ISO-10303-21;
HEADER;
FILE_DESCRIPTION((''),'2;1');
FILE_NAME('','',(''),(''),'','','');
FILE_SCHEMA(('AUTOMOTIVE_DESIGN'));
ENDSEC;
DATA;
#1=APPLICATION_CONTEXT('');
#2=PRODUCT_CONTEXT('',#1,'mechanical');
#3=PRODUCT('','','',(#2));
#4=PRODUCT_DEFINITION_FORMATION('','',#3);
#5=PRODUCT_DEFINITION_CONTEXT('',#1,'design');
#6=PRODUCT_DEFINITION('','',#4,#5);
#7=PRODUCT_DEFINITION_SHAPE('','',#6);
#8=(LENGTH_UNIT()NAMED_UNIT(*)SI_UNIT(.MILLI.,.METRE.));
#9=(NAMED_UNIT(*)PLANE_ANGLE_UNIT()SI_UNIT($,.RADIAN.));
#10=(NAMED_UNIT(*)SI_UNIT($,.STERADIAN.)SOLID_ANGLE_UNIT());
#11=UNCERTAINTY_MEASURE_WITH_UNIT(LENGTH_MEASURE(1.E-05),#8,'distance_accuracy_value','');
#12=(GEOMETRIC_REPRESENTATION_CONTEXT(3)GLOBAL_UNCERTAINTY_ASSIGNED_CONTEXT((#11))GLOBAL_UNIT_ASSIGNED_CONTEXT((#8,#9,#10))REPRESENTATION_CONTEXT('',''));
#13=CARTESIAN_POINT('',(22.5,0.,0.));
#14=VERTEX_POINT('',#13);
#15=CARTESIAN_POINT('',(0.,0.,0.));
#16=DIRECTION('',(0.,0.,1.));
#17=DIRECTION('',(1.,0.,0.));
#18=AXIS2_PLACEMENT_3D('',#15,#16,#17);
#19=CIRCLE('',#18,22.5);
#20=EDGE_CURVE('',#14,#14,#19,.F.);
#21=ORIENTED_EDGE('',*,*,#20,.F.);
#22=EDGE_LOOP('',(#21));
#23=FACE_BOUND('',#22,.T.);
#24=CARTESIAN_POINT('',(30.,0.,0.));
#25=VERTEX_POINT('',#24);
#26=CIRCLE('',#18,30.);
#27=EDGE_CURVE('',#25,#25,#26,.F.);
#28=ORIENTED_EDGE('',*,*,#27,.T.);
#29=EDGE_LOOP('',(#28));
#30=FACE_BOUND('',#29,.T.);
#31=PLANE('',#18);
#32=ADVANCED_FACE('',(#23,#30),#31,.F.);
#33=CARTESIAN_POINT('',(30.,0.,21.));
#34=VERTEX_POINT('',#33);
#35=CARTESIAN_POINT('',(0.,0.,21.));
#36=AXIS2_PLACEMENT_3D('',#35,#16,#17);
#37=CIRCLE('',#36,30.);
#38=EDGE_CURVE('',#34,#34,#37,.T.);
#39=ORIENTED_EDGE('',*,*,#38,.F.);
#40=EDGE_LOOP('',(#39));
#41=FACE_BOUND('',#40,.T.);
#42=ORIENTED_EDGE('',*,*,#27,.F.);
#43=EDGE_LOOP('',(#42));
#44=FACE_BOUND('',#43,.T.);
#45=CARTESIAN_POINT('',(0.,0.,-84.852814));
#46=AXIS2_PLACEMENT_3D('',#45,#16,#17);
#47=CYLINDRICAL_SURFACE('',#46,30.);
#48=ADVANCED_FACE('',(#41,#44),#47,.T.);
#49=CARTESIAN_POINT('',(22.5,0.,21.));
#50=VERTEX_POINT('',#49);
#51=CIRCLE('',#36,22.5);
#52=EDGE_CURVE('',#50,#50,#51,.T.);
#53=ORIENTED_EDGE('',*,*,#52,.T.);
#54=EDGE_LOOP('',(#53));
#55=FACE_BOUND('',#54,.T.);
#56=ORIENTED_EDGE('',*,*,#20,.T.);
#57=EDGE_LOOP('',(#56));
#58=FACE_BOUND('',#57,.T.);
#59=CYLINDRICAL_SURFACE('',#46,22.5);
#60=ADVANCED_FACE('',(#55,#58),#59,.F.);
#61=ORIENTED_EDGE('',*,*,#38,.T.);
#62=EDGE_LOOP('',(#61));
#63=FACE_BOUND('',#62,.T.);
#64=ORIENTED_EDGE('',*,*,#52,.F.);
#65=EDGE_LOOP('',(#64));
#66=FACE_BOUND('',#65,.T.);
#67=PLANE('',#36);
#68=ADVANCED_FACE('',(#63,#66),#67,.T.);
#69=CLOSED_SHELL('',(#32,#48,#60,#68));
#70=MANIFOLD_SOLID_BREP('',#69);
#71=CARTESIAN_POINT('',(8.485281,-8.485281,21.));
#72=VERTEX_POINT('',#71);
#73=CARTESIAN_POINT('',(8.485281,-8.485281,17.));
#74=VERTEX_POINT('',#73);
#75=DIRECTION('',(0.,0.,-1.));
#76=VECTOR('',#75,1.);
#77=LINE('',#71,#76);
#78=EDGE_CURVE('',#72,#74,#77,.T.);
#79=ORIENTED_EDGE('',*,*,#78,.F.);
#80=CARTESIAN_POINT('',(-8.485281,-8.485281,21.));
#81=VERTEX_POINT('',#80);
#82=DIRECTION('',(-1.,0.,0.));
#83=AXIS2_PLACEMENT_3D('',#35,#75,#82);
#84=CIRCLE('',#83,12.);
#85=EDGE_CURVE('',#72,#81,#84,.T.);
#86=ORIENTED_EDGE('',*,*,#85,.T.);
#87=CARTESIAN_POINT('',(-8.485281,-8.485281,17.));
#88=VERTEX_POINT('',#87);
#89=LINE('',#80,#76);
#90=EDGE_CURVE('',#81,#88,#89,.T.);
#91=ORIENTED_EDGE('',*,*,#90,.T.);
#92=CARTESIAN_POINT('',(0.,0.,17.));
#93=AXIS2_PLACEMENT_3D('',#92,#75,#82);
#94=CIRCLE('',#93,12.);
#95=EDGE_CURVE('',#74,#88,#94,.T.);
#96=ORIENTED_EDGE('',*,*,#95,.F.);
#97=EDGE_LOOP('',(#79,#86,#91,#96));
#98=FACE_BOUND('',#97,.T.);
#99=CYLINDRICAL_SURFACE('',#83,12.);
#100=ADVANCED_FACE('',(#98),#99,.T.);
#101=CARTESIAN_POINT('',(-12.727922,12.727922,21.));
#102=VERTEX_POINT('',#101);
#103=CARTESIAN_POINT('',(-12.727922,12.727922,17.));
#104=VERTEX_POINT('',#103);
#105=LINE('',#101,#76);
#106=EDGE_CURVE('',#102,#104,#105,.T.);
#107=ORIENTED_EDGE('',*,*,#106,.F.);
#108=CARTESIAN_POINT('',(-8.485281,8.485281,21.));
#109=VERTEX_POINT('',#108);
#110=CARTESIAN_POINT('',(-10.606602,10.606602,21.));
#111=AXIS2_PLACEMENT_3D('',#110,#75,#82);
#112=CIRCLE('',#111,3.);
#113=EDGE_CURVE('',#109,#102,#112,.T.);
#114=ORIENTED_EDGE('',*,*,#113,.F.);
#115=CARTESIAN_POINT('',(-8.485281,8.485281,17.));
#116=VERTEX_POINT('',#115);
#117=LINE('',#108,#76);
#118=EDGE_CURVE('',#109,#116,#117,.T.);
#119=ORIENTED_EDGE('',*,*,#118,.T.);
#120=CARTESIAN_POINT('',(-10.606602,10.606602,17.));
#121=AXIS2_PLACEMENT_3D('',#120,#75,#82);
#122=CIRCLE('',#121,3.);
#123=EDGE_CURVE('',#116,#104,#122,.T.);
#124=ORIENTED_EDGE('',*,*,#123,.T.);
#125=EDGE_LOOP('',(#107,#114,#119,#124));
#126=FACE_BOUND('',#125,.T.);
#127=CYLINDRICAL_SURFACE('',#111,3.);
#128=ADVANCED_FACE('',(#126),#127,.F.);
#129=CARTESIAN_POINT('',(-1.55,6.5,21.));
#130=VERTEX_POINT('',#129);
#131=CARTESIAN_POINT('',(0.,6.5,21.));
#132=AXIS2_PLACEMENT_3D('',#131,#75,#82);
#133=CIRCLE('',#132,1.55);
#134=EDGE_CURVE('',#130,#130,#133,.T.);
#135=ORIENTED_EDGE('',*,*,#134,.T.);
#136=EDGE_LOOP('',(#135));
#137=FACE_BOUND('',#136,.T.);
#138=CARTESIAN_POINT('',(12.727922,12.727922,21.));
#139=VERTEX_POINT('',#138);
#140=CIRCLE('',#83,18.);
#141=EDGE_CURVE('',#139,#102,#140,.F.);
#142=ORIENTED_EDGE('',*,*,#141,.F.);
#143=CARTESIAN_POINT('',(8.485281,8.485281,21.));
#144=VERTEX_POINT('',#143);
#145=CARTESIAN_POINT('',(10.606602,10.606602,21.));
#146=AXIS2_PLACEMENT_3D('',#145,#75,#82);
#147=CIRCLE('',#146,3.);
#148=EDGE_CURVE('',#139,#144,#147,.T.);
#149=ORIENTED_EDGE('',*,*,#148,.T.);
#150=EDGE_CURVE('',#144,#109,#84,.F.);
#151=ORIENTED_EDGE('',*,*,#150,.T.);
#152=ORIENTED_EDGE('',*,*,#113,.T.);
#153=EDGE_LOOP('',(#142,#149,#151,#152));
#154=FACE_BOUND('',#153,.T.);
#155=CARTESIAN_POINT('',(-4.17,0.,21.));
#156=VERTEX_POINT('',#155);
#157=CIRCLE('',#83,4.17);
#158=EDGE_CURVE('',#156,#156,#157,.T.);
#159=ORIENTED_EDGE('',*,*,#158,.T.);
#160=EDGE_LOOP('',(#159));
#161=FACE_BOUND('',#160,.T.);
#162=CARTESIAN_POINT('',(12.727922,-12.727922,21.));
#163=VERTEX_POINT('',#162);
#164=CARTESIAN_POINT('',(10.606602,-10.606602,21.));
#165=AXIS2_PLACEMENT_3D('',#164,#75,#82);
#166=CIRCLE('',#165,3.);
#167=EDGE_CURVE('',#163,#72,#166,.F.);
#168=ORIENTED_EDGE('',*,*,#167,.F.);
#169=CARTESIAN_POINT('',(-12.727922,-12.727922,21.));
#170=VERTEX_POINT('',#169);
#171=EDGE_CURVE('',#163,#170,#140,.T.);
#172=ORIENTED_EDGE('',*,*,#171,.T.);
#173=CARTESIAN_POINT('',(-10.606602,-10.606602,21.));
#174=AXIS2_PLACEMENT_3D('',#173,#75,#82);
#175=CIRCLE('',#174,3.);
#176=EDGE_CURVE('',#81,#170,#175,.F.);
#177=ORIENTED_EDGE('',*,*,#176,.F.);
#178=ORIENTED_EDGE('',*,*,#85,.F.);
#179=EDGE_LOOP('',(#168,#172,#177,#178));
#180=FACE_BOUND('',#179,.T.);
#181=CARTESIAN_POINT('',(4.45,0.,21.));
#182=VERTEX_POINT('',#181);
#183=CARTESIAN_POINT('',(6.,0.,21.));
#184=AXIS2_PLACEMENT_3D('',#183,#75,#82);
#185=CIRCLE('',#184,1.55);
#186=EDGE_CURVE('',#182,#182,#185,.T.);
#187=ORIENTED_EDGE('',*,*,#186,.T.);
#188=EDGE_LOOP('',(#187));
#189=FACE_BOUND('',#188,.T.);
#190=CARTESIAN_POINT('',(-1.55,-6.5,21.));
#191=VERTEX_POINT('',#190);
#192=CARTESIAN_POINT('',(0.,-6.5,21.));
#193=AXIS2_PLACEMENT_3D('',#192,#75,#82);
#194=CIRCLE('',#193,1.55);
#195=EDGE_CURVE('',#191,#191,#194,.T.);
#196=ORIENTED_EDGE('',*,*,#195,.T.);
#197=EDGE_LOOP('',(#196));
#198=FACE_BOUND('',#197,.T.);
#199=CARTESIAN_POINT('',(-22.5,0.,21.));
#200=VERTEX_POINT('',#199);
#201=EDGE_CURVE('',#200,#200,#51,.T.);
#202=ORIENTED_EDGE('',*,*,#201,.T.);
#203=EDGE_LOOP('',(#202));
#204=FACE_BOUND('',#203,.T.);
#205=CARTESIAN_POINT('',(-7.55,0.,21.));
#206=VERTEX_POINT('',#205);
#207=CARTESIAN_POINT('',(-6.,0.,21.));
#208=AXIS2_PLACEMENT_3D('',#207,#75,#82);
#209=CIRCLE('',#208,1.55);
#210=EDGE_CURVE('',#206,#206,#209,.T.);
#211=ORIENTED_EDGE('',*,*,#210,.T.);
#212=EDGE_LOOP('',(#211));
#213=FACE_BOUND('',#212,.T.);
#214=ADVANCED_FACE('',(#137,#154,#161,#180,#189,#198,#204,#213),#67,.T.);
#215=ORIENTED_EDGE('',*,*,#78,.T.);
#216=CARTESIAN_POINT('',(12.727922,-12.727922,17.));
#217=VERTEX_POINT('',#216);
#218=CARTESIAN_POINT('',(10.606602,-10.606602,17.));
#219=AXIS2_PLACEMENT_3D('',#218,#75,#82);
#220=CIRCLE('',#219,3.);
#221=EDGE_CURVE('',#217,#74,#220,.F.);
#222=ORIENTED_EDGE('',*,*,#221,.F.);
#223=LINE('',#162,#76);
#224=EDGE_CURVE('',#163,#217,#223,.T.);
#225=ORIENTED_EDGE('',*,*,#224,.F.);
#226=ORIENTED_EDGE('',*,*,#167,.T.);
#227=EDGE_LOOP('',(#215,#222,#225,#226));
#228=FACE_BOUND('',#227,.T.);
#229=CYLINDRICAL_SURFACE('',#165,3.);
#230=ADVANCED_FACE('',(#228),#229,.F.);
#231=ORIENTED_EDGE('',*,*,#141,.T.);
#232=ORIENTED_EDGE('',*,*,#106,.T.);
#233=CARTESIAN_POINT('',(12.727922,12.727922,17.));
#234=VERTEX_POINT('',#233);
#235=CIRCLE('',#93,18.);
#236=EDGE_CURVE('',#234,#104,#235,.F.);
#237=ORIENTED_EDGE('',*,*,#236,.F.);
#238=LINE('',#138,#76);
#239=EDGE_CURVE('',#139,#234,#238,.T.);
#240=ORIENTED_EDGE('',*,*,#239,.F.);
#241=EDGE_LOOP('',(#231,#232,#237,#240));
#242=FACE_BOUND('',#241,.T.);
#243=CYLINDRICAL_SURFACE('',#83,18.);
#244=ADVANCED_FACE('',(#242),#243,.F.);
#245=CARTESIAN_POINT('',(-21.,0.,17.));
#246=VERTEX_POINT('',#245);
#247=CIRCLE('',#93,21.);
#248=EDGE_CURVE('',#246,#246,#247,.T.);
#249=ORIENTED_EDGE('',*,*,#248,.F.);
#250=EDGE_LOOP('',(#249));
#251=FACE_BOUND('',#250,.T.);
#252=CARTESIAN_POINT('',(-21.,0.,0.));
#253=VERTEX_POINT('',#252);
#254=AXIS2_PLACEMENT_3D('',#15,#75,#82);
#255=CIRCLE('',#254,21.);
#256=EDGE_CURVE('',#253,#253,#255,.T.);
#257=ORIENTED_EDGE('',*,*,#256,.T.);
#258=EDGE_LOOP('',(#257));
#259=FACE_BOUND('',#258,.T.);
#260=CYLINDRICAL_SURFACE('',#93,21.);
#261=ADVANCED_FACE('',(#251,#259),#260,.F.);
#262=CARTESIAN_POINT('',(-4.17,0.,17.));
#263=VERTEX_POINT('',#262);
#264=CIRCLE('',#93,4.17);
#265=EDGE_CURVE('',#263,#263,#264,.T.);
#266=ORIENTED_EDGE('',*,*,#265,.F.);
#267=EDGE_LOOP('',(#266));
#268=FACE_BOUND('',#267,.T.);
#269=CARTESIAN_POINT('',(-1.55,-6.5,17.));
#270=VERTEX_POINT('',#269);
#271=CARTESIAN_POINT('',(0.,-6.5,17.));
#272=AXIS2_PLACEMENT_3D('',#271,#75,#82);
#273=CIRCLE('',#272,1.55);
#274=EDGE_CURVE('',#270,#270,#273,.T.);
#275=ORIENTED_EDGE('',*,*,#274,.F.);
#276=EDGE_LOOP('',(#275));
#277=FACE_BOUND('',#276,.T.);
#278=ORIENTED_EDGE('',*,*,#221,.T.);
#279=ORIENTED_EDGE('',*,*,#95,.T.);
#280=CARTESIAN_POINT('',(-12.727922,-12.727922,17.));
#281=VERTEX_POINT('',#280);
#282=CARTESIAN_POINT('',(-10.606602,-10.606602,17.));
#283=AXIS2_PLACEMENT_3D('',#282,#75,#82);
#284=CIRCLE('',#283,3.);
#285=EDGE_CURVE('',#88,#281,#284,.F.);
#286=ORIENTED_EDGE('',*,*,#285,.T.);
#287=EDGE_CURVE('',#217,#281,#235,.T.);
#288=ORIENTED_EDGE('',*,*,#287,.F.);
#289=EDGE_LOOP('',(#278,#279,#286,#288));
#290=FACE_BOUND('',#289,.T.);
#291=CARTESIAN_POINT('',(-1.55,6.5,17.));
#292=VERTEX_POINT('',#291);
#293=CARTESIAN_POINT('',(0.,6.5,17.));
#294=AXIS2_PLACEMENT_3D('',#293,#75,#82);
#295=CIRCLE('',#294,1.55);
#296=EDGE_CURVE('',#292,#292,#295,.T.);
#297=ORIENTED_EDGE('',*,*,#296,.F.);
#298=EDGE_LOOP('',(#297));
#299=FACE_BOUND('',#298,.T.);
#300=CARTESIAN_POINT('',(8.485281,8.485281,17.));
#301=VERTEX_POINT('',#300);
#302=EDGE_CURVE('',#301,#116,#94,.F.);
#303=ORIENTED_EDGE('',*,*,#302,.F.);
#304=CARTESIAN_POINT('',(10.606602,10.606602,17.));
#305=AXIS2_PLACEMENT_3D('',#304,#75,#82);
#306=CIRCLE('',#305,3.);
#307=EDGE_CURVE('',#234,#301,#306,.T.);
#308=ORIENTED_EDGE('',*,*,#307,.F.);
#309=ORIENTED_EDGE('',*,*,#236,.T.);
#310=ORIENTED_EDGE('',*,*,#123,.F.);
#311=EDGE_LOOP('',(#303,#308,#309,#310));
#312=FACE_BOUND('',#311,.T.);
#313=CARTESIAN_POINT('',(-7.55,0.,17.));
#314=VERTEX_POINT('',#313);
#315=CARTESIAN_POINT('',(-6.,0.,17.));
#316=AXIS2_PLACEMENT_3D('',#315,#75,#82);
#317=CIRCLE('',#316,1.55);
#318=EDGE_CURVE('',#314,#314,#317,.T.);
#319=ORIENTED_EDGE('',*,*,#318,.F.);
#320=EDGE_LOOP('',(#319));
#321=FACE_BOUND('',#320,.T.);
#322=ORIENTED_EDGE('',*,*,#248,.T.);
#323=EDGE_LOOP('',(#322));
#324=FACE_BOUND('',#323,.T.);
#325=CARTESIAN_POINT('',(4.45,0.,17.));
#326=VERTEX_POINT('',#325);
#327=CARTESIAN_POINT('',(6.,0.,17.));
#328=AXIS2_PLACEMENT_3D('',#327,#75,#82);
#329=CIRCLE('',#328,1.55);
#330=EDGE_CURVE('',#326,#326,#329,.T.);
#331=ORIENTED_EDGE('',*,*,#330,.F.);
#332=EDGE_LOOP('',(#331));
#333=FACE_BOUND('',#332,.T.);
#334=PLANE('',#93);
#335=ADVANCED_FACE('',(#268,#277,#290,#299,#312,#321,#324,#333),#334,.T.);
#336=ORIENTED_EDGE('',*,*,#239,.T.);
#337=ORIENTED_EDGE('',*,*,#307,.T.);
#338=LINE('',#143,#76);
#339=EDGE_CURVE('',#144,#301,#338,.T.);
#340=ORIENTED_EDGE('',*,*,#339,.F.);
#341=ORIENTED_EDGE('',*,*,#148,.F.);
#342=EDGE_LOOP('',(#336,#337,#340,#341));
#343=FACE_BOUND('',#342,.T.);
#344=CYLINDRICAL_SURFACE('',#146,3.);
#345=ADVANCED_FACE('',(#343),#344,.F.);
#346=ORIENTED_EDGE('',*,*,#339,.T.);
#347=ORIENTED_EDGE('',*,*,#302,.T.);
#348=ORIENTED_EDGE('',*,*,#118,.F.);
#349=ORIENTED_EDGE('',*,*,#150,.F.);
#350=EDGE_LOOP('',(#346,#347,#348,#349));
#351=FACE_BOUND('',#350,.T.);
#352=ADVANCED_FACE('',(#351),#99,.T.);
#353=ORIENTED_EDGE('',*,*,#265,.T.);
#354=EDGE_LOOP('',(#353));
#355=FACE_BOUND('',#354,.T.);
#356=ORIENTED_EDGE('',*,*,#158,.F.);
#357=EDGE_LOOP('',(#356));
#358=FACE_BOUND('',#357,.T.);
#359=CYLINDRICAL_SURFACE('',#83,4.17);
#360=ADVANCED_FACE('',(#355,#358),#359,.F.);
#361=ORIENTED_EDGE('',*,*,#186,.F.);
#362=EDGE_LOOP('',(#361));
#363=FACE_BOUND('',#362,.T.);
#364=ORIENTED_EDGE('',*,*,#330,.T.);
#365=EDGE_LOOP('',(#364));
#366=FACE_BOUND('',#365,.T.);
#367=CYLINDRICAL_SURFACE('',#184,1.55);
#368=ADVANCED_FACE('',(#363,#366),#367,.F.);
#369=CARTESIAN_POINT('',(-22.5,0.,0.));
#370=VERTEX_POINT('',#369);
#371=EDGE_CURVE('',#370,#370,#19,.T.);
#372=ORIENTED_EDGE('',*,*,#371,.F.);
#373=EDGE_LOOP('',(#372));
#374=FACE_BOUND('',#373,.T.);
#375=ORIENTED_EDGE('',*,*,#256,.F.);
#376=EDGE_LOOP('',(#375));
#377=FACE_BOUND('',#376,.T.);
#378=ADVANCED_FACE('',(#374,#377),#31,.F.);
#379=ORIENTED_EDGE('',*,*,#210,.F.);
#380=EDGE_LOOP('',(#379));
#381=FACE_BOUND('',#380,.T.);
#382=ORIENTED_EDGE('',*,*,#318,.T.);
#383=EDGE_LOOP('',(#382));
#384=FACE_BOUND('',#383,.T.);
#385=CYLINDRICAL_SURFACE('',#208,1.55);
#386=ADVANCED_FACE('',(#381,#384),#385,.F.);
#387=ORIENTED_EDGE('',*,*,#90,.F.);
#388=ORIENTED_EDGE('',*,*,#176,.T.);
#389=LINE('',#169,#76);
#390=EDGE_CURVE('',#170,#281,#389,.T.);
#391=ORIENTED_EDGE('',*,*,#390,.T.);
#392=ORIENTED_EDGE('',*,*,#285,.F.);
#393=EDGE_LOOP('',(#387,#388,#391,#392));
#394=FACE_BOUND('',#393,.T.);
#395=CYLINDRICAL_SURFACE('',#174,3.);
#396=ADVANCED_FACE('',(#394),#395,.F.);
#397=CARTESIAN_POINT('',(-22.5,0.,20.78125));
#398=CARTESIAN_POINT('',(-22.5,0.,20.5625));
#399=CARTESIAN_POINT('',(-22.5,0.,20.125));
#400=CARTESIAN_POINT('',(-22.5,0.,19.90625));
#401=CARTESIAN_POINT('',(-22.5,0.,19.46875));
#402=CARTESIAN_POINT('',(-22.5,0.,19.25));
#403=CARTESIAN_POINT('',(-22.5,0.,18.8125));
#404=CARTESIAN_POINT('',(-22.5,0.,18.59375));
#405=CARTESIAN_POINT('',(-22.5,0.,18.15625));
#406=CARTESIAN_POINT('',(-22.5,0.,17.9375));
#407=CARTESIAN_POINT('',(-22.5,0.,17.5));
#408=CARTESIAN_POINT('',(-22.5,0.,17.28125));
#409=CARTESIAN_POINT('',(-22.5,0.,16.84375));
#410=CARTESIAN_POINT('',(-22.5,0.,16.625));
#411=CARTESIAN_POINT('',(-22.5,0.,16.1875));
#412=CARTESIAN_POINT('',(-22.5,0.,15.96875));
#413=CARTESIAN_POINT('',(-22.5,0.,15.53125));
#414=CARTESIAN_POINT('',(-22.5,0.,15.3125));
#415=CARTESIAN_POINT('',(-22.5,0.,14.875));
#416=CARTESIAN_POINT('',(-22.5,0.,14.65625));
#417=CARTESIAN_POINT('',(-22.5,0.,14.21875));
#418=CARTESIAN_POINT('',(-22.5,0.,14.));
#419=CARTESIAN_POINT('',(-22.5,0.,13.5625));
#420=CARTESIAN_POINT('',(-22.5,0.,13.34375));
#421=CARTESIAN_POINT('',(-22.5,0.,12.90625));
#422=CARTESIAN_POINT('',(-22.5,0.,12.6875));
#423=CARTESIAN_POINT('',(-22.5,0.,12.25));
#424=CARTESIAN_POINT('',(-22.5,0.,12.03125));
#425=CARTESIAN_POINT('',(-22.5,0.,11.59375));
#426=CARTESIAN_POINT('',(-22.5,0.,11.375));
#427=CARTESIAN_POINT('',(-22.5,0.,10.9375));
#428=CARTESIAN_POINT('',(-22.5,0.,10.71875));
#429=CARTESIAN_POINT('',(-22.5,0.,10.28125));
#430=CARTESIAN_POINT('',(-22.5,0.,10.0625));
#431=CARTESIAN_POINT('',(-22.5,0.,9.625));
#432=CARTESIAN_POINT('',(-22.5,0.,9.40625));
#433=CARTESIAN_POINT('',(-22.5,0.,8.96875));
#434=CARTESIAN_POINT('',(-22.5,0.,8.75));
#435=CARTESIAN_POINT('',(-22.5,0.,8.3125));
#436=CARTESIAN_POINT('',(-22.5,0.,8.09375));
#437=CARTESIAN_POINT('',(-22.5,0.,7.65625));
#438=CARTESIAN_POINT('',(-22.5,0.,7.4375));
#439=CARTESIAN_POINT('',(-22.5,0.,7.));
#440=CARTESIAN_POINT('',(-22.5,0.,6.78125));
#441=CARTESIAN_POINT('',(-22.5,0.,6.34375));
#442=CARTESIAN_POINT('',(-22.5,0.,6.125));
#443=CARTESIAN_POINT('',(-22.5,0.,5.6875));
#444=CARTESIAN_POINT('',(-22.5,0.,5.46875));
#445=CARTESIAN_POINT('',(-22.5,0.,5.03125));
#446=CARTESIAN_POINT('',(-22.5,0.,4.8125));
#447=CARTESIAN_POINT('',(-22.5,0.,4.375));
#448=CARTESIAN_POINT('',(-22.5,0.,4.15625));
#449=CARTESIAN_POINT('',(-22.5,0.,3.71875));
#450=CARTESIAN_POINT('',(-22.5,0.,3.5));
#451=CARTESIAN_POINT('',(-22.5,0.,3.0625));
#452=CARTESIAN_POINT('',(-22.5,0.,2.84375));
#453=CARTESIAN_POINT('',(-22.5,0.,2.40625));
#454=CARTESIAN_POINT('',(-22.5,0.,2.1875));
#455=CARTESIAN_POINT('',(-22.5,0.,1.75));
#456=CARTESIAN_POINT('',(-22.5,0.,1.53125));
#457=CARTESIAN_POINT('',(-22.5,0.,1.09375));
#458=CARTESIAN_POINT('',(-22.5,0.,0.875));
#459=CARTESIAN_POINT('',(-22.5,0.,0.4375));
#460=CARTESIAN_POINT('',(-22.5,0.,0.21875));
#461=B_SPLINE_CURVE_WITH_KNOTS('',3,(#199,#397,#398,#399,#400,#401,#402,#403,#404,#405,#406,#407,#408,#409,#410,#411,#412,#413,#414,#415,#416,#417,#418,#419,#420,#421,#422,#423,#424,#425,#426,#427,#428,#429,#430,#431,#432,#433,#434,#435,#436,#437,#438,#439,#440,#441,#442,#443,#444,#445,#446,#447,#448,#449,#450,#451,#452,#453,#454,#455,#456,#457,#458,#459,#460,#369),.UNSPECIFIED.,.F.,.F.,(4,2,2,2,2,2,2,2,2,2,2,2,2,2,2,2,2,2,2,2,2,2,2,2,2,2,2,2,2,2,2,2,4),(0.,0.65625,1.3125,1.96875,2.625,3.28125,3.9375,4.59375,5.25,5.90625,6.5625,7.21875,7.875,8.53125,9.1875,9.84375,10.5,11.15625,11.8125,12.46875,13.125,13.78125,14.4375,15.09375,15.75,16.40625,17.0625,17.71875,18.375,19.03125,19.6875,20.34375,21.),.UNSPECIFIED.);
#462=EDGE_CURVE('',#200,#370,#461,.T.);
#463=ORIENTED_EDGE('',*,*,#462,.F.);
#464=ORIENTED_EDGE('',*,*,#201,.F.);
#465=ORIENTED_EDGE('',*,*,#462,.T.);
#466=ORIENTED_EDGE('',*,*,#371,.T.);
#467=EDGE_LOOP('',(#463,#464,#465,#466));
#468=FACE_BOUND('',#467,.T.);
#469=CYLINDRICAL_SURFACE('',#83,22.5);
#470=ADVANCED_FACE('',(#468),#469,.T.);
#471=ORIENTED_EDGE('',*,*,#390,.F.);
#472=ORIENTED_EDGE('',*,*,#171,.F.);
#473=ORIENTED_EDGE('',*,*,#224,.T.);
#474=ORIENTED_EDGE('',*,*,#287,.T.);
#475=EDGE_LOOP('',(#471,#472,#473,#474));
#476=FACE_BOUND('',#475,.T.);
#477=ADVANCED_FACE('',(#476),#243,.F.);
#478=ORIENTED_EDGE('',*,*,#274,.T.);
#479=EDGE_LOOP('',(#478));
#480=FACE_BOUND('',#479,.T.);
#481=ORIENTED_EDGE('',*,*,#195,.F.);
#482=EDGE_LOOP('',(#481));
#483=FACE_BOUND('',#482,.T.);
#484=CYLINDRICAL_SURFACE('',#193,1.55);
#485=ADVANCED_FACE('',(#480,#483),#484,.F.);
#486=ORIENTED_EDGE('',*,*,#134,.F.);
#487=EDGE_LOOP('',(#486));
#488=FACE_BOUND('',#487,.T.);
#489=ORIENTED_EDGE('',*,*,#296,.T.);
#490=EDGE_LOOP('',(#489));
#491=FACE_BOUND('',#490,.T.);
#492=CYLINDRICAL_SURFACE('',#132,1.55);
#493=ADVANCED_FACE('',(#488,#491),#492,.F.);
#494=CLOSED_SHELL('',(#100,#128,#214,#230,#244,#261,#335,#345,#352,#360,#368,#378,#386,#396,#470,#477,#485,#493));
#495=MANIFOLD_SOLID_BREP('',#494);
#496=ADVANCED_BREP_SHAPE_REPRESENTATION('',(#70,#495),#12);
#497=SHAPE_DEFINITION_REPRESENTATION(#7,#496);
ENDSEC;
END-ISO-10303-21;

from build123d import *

# Parameters (mm, degrees)
SKETCH_1_R          = 22.5
EXTRUDE_1_DEPTH     = 21
SKETCH_2_R          = 21
CUT_EXTRUDE_1_DEPTH = 17
SKETCH_3_R          = 3
SKETCH_3_R_2        = 4.17
SKETCH_3_R_3        = 1.55
CUT_EXTRUDE_2_DEPTH = 37.076308015
SKETCH_5_R          = 30
SKETCH_5_R_2        = 22.5
EXTRUDE_2_DEPTH     = 21


with BuildPart() as part:
    # ｽｹｯﾁ1 → ﾎﾞｽ - 押し出し1 (new body)
    with BuildSketch(Plane.XY):
        with Locations(Location((0, 0, 0), (0, 0, 180))):
            Circle(SKETCH_1_R)
    extrude(amount=EXTRUDE_1_DEPTH)

    # ｽｹｯﾁ2 → ｶｯﾄ - 押し出し1 (cut)
    with BuildSketch(Plane(origin=(0, 0, 0), x_dir=(-1, 0, 0), z_dir=(0, 0, -1))):
        Circle(SKETCH_2_R)
    extrude(amount=-CUT_EXTRUDE_1_DEPTH, mode=Mode.SUBTRACT)

    # ｽｹｯﾁ3 → ｶｯﾄ - 押し出し2 (cut, through all)
    with BuildSketch(Plane(origin=(0, 0, 17), x_dir=(-1, 0, 0), z_dir=(0, 0, -1))):
        with BuildLine():
            ThreePointArc((-12.727922061, 12.727922061), (-9.458551421, 13.378240315), (-7.606601718, 10.606601718))
            ThreePointArc((-7.606601718, 10.606601718), (-7.83496312, 9.458551421), (-8.485281374, 8.485281374))
            ThreePointArc((-8.485281374, 8.485281374), (0, 12), (8.485281374, 8.485281374))
            ThreePointArc((8.485281374, 8.485281374), (8.485281374, 12.727922061), (12.727922061, 12.727922061))
            ThreePointArc((12.727922061, 12.727922061), (0, 18), (-12.727922061, 12.727922061))
        make_face()
        with Locations((-10.606601718, 10.606601718)):
            Circle(SKETCH_3_R)
        with Locations((10.606601718, 10.606601718)):
            Circle(SKETCH_3_R)
        Circle(SKETCH_3_R_2)
        with Locations((6, 0)):
            Circle(SKETCH_3_R_3)
        with Locations((0, 6.5)):
            Circle(SKETCH_3_R_3)
        with Locations((-6, 0)):
            Circle(SKETCH_3_R_3)
        with Locations((0, -6.5)):
            Circle(SKETCH_3_R_3)
        with Locations((-10.606601718, -10.606601718)):
            Circle(SKETCH_3_R)
        with BuildLine():
            ThreePointArc((12.727922061, -12.727922061), (8.485281374, -12.727922061), (8.485281374, -8.485281374))
            ThreePointArc((8.485281374, -8.485281374), (0, -12), (-8.485281374, -8.485281374))
            ThreePointArc((-8.485281374, -8.485281374), (-7.83496312, -9.458551421), (-7.606601718, -10.606601718))
            ThreePointArc((-7.606601718, -10.606601718), (-9.458551421, -13.378240315), (-12.727922061, -12.727922061))
            ThreePointArc((-12.727922061, -12.727922061), (0, -18), (12.727922061, -12.727922061))
        make_face()
        with Locations((10.606601718, -10.606601718)):
            Circle(SKETCH_3_R)
    extrude(amount=-CUT_EXTRUDE_2_DEPTH, mode=Mode.SUBTRACT)


with BuildPart() as body_2:
    # ｽｹｯﾁ5 → ﾎﾞｽ - 押し出し2 (new body)
    with BuildSketch(Plane.XY.offset(21)):
        Circle(SKETCH_5_R)
        Circle(SKETCH_5_R_2, mode=Mode.SUBTRACT)
    extrude(amount=-EXTRUDE_2_DEPTH)


solid = Compound([part.part, body_2.part])
